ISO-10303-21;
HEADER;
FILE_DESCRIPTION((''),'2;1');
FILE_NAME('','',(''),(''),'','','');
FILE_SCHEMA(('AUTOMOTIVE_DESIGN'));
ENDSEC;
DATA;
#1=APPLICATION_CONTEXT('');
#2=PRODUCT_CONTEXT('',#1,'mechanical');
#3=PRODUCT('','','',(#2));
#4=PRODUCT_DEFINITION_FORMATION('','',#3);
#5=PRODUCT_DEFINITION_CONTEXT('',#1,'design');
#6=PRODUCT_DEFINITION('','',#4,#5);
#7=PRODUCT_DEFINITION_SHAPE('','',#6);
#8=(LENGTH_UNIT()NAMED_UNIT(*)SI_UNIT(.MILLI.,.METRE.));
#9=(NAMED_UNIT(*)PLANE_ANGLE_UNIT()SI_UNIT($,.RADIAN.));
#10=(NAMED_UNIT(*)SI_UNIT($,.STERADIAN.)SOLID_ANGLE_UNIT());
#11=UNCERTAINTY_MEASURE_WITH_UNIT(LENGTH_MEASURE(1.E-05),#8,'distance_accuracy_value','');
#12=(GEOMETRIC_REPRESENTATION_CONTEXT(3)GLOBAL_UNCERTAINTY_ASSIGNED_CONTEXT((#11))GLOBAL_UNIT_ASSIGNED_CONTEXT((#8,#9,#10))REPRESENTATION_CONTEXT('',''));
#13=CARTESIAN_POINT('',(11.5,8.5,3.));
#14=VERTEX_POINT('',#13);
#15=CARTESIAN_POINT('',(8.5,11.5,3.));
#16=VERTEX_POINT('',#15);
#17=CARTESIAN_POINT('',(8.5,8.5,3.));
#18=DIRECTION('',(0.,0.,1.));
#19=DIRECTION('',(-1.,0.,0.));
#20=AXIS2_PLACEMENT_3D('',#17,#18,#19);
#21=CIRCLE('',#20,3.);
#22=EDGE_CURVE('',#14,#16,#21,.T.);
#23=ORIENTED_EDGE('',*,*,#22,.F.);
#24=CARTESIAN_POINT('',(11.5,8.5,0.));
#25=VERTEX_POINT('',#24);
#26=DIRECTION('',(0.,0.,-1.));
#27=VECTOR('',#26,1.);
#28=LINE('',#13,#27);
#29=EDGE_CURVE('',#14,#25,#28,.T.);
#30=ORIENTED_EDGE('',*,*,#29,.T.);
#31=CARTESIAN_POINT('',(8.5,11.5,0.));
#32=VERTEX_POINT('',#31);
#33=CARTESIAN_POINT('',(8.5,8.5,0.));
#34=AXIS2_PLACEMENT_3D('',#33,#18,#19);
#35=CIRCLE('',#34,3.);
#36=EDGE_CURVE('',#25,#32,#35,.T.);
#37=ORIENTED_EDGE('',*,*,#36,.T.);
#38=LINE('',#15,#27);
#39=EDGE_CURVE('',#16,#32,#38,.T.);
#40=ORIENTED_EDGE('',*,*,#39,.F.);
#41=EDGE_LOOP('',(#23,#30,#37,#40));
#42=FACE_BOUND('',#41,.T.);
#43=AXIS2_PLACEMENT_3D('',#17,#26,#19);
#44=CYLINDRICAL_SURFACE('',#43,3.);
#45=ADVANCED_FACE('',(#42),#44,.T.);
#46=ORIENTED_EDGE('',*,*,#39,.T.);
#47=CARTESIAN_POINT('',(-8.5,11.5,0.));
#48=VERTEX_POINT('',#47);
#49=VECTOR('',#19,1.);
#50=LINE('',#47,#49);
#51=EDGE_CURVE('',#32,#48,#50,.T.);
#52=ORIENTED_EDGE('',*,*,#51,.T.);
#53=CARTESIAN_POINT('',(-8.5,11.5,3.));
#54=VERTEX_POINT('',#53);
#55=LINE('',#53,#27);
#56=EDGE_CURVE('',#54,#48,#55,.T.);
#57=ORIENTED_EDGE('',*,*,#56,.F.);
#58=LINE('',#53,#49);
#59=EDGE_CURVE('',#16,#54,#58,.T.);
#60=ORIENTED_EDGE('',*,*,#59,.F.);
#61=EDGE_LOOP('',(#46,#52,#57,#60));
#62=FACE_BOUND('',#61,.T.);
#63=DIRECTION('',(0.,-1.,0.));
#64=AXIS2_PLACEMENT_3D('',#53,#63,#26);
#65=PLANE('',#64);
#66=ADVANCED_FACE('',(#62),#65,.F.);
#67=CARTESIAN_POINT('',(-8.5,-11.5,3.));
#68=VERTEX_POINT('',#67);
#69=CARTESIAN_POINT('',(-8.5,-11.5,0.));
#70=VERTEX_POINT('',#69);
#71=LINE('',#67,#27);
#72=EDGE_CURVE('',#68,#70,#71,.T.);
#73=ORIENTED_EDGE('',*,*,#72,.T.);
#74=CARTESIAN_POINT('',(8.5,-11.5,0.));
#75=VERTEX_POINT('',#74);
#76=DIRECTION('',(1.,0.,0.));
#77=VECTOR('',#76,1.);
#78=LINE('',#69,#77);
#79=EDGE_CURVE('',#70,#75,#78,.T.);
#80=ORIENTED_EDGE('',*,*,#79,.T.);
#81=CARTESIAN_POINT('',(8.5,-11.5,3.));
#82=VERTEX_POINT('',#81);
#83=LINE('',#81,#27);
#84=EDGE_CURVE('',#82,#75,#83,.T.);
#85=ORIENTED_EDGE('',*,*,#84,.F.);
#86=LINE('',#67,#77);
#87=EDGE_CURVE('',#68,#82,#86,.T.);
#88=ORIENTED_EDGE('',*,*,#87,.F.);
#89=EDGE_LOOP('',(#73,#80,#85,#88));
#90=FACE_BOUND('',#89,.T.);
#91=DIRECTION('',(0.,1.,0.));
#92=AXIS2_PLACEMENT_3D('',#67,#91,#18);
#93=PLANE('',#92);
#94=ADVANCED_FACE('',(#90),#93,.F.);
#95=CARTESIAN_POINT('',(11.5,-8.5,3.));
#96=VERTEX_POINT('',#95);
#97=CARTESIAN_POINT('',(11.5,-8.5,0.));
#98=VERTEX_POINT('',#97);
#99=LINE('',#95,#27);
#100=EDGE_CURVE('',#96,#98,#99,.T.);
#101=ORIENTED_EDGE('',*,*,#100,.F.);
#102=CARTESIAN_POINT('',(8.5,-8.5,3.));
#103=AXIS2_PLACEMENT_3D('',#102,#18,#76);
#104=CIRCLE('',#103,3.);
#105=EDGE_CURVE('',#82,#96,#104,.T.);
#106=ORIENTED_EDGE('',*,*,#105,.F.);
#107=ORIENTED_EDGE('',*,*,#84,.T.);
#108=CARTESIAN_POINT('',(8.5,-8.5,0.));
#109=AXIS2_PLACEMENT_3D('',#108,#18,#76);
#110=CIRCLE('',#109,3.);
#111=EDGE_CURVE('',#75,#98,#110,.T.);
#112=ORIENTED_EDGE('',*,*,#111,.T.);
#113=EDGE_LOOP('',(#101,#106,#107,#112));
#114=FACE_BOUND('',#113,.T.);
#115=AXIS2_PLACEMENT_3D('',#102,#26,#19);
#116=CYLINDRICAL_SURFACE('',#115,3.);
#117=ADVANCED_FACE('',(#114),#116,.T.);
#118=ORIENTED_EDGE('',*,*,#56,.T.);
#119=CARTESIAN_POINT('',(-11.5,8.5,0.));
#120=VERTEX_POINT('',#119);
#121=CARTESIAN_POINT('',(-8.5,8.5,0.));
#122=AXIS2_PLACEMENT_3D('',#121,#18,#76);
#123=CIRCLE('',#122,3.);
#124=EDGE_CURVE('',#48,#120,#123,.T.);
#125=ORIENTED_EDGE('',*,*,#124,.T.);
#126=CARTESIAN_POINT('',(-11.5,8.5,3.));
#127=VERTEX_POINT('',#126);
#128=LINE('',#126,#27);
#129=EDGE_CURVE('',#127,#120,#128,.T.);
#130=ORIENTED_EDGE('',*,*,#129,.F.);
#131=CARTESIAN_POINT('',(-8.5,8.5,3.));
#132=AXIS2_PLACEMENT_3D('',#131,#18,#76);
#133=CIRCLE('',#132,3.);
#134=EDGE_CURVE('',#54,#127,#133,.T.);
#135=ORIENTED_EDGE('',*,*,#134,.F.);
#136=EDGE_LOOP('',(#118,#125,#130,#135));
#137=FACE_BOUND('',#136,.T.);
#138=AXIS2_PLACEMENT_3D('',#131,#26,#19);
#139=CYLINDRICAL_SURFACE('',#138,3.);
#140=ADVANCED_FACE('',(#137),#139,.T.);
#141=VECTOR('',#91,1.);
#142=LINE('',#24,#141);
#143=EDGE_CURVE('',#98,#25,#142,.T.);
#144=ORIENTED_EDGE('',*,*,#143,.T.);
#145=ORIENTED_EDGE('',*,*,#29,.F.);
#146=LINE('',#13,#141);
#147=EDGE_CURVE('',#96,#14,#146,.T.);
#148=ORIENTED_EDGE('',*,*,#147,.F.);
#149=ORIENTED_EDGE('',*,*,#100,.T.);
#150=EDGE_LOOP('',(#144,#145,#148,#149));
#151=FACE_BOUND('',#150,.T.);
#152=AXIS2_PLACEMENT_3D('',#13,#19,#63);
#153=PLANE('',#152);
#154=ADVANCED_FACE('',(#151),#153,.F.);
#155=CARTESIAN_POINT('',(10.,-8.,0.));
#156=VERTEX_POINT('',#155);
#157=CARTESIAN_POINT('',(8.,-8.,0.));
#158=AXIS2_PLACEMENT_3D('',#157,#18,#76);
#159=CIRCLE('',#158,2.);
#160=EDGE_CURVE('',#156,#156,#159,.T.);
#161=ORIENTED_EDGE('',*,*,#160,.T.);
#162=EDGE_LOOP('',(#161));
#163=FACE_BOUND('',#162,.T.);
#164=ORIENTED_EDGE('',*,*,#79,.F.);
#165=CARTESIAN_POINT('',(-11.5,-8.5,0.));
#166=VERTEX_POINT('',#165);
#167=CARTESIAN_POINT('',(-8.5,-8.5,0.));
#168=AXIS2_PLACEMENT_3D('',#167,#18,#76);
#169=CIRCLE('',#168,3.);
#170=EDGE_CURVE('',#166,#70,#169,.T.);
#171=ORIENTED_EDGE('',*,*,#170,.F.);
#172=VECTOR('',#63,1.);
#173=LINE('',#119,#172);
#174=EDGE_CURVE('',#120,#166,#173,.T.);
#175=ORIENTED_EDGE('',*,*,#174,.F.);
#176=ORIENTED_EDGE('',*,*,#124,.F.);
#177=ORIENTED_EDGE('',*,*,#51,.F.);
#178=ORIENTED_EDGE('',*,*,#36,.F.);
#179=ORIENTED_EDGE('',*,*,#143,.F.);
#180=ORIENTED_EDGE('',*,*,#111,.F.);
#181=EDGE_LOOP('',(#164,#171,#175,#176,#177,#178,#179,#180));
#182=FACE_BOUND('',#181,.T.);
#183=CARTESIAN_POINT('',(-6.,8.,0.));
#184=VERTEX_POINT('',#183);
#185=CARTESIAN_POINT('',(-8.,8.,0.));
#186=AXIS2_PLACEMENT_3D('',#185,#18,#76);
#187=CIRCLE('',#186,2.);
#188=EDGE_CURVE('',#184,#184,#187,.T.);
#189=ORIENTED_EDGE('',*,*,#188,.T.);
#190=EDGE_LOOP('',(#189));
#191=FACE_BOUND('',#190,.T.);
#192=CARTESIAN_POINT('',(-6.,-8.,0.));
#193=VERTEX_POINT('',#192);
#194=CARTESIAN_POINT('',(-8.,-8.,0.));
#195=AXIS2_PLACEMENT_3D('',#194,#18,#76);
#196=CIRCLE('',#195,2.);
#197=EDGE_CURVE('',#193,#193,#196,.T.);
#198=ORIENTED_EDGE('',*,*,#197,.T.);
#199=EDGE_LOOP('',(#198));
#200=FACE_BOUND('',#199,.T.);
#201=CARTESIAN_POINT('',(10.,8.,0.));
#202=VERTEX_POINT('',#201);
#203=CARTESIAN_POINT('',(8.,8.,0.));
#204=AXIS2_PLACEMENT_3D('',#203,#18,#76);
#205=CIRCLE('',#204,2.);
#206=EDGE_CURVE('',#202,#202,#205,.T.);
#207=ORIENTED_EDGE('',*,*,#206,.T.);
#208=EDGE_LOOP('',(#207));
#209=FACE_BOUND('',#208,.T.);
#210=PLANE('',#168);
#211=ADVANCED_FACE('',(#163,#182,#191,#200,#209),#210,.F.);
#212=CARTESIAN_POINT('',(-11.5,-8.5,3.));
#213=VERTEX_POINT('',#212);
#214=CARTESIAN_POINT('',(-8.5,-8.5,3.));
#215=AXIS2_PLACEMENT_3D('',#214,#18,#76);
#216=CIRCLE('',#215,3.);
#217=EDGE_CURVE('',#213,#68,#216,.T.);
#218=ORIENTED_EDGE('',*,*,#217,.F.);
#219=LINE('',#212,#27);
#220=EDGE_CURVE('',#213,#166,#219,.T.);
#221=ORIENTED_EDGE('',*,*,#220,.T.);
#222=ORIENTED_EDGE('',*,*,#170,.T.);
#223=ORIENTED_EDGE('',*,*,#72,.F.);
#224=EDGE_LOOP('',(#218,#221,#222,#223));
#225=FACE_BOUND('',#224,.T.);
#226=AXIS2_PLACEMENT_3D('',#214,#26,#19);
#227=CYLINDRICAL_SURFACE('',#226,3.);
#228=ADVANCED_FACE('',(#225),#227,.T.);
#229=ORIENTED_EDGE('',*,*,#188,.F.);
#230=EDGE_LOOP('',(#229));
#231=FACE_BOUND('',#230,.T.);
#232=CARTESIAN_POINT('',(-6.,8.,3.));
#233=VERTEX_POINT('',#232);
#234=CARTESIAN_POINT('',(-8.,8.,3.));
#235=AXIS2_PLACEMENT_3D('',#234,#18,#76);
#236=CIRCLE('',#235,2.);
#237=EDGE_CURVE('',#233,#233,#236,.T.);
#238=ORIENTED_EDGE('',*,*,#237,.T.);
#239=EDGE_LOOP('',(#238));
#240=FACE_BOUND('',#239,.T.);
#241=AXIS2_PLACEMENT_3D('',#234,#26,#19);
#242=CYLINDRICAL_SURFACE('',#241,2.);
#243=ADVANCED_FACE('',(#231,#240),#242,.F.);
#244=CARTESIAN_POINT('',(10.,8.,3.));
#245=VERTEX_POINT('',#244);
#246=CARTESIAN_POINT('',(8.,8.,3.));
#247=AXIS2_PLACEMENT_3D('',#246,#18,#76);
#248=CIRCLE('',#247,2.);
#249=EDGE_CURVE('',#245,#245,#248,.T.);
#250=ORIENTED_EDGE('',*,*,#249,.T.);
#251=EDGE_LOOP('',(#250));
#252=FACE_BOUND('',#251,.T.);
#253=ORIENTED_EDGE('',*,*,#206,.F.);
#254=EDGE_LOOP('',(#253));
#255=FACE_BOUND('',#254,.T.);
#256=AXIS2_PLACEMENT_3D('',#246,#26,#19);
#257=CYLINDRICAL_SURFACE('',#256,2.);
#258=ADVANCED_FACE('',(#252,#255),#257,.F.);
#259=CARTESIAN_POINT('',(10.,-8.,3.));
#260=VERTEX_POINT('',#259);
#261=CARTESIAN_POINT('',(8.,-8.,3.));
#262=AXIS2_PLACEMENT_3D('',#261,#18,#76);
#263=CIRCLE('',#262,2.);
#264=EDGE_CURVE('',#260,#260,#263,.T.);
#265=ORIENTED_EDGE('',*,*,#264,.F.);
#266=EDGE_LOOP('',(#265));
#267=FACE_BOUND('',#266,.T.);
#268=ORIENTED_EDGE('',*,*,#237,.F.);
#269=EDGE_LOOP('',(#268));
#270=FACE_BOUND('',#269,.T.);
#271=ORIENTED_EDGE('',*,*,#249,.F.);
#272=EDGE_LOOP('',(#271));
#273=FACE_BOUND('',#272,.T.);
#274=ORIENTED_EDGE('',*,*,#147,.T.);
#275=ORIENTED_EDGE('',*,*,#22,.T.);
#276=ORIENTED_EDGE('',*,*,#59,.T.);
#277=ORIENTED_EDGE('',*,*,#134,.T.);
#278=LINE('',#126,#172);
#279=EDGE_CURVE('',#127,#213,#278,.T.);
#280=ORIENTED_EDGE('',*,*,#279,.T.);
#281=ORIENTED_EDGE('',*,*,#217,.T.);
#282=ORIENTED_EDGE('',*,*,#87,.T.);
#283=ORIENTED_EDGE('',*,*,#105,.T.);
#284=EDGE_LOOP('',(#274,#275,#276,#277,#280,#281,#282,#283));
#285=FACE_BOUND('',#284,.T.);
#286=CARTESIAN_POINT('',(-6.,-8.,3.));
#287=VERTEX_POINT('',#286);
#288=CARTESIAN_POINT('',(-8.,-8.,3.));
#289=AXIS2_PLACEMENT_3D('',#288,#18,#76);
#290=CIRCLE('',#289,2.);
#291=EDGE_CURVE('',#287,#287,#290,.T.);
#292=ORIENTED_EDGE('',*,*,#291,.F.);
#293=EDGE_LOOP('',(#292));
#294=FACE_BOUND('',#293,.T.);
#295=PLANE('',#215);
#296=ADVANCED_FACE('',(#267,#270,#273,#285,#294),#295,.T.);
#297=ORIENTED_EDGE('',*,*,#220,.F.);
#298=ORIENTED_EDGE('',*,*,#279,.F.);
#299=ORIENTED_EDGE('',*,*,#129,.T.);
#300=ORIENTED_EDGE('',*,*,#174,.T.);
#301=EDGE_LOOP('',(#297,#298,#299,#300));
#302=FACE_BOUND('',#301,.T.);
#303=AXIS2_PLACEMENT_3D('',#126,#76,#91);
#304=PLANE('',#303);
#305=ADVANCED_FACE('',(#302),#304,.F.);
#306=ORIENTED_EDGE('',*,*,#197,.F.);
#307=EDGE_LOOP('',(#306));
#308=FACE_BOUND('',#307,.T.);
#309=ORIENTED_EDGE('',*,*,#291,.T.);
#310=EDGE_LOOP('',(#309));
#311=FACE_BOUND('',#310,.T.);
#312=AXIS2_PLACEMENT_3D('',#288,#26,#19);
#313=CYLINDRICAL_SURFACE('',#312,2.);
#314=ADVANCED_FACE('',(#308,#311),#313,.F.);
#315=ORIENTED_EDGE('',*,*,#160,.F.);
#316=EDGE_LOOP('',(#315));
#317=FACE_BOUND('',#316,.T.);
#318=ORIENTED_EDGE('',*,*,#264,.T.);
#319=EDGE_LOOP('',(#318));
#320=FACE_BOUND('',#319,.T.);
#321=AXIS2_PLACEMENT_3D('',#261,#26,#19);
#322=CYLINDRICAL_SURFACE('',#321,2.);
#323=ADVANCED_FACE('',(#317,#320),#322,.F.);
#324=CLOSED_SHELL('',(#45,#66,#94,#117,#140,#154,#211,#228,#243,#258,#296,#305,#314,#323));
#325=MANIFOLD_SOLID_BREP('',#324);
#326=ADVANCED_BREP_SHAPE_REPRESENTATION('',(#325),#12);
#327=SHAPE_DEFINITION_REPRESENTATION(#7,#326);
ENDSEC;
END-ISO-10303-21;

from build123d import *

# Parameters (mm, degrees)
SKETCH1_R           = 2
BOSS_EXTRUDE1_DEPTH = 3


with BuildPart() as part:
    # Sketch1 → Boss-Extrude1 (new body)
    with BuildSketch(Plane.XY):
        with BuildLine():
            Line((-8.5, 11.5), (8.5, 11.5))
            ThreePointArc((8.5, 11.5), (10.621320344, 10.621320344), (11.5, 8.5))
            Line((11.5, 8.5), (11.5, -8.5))
            ThreePointArc((11.5, -8.5), (10.621320344, -10.621320344), (8.5, -11.5))
            Line((8.5, -11.5), (-8.5, -11.5))
            ThreePointArc((-8.5, -11.5), (-10.621320344, -10.621320344), (-11.5, -8.5))
            Line((-11.5, -8.5), (-11.5, 8.5))
            ThreePointArc((-11.5, 8.5), (-10.621320344, 10.621320344), (-8.5, 11.5))
        make_face()
        with Locations((-8, 8)):
            Circle(SKETCH1_R, mode=Mode.SUBTRACT)
        with Locations((8, 8)):
            Circle(SKETCH1_R, mode=Mode.SUBTRACT)
        with Locations((8, -8)):
            Circle(SKETCH1_R, mode=Mode.SUBTRACT)
        with Locations((-8, -8)):
            Circle(SKETCH1_R, mode=Mode.SUBTRACT)
    extrude(amount=BOSS_EXTRUDE1_DEPTH)


solid = part.part
